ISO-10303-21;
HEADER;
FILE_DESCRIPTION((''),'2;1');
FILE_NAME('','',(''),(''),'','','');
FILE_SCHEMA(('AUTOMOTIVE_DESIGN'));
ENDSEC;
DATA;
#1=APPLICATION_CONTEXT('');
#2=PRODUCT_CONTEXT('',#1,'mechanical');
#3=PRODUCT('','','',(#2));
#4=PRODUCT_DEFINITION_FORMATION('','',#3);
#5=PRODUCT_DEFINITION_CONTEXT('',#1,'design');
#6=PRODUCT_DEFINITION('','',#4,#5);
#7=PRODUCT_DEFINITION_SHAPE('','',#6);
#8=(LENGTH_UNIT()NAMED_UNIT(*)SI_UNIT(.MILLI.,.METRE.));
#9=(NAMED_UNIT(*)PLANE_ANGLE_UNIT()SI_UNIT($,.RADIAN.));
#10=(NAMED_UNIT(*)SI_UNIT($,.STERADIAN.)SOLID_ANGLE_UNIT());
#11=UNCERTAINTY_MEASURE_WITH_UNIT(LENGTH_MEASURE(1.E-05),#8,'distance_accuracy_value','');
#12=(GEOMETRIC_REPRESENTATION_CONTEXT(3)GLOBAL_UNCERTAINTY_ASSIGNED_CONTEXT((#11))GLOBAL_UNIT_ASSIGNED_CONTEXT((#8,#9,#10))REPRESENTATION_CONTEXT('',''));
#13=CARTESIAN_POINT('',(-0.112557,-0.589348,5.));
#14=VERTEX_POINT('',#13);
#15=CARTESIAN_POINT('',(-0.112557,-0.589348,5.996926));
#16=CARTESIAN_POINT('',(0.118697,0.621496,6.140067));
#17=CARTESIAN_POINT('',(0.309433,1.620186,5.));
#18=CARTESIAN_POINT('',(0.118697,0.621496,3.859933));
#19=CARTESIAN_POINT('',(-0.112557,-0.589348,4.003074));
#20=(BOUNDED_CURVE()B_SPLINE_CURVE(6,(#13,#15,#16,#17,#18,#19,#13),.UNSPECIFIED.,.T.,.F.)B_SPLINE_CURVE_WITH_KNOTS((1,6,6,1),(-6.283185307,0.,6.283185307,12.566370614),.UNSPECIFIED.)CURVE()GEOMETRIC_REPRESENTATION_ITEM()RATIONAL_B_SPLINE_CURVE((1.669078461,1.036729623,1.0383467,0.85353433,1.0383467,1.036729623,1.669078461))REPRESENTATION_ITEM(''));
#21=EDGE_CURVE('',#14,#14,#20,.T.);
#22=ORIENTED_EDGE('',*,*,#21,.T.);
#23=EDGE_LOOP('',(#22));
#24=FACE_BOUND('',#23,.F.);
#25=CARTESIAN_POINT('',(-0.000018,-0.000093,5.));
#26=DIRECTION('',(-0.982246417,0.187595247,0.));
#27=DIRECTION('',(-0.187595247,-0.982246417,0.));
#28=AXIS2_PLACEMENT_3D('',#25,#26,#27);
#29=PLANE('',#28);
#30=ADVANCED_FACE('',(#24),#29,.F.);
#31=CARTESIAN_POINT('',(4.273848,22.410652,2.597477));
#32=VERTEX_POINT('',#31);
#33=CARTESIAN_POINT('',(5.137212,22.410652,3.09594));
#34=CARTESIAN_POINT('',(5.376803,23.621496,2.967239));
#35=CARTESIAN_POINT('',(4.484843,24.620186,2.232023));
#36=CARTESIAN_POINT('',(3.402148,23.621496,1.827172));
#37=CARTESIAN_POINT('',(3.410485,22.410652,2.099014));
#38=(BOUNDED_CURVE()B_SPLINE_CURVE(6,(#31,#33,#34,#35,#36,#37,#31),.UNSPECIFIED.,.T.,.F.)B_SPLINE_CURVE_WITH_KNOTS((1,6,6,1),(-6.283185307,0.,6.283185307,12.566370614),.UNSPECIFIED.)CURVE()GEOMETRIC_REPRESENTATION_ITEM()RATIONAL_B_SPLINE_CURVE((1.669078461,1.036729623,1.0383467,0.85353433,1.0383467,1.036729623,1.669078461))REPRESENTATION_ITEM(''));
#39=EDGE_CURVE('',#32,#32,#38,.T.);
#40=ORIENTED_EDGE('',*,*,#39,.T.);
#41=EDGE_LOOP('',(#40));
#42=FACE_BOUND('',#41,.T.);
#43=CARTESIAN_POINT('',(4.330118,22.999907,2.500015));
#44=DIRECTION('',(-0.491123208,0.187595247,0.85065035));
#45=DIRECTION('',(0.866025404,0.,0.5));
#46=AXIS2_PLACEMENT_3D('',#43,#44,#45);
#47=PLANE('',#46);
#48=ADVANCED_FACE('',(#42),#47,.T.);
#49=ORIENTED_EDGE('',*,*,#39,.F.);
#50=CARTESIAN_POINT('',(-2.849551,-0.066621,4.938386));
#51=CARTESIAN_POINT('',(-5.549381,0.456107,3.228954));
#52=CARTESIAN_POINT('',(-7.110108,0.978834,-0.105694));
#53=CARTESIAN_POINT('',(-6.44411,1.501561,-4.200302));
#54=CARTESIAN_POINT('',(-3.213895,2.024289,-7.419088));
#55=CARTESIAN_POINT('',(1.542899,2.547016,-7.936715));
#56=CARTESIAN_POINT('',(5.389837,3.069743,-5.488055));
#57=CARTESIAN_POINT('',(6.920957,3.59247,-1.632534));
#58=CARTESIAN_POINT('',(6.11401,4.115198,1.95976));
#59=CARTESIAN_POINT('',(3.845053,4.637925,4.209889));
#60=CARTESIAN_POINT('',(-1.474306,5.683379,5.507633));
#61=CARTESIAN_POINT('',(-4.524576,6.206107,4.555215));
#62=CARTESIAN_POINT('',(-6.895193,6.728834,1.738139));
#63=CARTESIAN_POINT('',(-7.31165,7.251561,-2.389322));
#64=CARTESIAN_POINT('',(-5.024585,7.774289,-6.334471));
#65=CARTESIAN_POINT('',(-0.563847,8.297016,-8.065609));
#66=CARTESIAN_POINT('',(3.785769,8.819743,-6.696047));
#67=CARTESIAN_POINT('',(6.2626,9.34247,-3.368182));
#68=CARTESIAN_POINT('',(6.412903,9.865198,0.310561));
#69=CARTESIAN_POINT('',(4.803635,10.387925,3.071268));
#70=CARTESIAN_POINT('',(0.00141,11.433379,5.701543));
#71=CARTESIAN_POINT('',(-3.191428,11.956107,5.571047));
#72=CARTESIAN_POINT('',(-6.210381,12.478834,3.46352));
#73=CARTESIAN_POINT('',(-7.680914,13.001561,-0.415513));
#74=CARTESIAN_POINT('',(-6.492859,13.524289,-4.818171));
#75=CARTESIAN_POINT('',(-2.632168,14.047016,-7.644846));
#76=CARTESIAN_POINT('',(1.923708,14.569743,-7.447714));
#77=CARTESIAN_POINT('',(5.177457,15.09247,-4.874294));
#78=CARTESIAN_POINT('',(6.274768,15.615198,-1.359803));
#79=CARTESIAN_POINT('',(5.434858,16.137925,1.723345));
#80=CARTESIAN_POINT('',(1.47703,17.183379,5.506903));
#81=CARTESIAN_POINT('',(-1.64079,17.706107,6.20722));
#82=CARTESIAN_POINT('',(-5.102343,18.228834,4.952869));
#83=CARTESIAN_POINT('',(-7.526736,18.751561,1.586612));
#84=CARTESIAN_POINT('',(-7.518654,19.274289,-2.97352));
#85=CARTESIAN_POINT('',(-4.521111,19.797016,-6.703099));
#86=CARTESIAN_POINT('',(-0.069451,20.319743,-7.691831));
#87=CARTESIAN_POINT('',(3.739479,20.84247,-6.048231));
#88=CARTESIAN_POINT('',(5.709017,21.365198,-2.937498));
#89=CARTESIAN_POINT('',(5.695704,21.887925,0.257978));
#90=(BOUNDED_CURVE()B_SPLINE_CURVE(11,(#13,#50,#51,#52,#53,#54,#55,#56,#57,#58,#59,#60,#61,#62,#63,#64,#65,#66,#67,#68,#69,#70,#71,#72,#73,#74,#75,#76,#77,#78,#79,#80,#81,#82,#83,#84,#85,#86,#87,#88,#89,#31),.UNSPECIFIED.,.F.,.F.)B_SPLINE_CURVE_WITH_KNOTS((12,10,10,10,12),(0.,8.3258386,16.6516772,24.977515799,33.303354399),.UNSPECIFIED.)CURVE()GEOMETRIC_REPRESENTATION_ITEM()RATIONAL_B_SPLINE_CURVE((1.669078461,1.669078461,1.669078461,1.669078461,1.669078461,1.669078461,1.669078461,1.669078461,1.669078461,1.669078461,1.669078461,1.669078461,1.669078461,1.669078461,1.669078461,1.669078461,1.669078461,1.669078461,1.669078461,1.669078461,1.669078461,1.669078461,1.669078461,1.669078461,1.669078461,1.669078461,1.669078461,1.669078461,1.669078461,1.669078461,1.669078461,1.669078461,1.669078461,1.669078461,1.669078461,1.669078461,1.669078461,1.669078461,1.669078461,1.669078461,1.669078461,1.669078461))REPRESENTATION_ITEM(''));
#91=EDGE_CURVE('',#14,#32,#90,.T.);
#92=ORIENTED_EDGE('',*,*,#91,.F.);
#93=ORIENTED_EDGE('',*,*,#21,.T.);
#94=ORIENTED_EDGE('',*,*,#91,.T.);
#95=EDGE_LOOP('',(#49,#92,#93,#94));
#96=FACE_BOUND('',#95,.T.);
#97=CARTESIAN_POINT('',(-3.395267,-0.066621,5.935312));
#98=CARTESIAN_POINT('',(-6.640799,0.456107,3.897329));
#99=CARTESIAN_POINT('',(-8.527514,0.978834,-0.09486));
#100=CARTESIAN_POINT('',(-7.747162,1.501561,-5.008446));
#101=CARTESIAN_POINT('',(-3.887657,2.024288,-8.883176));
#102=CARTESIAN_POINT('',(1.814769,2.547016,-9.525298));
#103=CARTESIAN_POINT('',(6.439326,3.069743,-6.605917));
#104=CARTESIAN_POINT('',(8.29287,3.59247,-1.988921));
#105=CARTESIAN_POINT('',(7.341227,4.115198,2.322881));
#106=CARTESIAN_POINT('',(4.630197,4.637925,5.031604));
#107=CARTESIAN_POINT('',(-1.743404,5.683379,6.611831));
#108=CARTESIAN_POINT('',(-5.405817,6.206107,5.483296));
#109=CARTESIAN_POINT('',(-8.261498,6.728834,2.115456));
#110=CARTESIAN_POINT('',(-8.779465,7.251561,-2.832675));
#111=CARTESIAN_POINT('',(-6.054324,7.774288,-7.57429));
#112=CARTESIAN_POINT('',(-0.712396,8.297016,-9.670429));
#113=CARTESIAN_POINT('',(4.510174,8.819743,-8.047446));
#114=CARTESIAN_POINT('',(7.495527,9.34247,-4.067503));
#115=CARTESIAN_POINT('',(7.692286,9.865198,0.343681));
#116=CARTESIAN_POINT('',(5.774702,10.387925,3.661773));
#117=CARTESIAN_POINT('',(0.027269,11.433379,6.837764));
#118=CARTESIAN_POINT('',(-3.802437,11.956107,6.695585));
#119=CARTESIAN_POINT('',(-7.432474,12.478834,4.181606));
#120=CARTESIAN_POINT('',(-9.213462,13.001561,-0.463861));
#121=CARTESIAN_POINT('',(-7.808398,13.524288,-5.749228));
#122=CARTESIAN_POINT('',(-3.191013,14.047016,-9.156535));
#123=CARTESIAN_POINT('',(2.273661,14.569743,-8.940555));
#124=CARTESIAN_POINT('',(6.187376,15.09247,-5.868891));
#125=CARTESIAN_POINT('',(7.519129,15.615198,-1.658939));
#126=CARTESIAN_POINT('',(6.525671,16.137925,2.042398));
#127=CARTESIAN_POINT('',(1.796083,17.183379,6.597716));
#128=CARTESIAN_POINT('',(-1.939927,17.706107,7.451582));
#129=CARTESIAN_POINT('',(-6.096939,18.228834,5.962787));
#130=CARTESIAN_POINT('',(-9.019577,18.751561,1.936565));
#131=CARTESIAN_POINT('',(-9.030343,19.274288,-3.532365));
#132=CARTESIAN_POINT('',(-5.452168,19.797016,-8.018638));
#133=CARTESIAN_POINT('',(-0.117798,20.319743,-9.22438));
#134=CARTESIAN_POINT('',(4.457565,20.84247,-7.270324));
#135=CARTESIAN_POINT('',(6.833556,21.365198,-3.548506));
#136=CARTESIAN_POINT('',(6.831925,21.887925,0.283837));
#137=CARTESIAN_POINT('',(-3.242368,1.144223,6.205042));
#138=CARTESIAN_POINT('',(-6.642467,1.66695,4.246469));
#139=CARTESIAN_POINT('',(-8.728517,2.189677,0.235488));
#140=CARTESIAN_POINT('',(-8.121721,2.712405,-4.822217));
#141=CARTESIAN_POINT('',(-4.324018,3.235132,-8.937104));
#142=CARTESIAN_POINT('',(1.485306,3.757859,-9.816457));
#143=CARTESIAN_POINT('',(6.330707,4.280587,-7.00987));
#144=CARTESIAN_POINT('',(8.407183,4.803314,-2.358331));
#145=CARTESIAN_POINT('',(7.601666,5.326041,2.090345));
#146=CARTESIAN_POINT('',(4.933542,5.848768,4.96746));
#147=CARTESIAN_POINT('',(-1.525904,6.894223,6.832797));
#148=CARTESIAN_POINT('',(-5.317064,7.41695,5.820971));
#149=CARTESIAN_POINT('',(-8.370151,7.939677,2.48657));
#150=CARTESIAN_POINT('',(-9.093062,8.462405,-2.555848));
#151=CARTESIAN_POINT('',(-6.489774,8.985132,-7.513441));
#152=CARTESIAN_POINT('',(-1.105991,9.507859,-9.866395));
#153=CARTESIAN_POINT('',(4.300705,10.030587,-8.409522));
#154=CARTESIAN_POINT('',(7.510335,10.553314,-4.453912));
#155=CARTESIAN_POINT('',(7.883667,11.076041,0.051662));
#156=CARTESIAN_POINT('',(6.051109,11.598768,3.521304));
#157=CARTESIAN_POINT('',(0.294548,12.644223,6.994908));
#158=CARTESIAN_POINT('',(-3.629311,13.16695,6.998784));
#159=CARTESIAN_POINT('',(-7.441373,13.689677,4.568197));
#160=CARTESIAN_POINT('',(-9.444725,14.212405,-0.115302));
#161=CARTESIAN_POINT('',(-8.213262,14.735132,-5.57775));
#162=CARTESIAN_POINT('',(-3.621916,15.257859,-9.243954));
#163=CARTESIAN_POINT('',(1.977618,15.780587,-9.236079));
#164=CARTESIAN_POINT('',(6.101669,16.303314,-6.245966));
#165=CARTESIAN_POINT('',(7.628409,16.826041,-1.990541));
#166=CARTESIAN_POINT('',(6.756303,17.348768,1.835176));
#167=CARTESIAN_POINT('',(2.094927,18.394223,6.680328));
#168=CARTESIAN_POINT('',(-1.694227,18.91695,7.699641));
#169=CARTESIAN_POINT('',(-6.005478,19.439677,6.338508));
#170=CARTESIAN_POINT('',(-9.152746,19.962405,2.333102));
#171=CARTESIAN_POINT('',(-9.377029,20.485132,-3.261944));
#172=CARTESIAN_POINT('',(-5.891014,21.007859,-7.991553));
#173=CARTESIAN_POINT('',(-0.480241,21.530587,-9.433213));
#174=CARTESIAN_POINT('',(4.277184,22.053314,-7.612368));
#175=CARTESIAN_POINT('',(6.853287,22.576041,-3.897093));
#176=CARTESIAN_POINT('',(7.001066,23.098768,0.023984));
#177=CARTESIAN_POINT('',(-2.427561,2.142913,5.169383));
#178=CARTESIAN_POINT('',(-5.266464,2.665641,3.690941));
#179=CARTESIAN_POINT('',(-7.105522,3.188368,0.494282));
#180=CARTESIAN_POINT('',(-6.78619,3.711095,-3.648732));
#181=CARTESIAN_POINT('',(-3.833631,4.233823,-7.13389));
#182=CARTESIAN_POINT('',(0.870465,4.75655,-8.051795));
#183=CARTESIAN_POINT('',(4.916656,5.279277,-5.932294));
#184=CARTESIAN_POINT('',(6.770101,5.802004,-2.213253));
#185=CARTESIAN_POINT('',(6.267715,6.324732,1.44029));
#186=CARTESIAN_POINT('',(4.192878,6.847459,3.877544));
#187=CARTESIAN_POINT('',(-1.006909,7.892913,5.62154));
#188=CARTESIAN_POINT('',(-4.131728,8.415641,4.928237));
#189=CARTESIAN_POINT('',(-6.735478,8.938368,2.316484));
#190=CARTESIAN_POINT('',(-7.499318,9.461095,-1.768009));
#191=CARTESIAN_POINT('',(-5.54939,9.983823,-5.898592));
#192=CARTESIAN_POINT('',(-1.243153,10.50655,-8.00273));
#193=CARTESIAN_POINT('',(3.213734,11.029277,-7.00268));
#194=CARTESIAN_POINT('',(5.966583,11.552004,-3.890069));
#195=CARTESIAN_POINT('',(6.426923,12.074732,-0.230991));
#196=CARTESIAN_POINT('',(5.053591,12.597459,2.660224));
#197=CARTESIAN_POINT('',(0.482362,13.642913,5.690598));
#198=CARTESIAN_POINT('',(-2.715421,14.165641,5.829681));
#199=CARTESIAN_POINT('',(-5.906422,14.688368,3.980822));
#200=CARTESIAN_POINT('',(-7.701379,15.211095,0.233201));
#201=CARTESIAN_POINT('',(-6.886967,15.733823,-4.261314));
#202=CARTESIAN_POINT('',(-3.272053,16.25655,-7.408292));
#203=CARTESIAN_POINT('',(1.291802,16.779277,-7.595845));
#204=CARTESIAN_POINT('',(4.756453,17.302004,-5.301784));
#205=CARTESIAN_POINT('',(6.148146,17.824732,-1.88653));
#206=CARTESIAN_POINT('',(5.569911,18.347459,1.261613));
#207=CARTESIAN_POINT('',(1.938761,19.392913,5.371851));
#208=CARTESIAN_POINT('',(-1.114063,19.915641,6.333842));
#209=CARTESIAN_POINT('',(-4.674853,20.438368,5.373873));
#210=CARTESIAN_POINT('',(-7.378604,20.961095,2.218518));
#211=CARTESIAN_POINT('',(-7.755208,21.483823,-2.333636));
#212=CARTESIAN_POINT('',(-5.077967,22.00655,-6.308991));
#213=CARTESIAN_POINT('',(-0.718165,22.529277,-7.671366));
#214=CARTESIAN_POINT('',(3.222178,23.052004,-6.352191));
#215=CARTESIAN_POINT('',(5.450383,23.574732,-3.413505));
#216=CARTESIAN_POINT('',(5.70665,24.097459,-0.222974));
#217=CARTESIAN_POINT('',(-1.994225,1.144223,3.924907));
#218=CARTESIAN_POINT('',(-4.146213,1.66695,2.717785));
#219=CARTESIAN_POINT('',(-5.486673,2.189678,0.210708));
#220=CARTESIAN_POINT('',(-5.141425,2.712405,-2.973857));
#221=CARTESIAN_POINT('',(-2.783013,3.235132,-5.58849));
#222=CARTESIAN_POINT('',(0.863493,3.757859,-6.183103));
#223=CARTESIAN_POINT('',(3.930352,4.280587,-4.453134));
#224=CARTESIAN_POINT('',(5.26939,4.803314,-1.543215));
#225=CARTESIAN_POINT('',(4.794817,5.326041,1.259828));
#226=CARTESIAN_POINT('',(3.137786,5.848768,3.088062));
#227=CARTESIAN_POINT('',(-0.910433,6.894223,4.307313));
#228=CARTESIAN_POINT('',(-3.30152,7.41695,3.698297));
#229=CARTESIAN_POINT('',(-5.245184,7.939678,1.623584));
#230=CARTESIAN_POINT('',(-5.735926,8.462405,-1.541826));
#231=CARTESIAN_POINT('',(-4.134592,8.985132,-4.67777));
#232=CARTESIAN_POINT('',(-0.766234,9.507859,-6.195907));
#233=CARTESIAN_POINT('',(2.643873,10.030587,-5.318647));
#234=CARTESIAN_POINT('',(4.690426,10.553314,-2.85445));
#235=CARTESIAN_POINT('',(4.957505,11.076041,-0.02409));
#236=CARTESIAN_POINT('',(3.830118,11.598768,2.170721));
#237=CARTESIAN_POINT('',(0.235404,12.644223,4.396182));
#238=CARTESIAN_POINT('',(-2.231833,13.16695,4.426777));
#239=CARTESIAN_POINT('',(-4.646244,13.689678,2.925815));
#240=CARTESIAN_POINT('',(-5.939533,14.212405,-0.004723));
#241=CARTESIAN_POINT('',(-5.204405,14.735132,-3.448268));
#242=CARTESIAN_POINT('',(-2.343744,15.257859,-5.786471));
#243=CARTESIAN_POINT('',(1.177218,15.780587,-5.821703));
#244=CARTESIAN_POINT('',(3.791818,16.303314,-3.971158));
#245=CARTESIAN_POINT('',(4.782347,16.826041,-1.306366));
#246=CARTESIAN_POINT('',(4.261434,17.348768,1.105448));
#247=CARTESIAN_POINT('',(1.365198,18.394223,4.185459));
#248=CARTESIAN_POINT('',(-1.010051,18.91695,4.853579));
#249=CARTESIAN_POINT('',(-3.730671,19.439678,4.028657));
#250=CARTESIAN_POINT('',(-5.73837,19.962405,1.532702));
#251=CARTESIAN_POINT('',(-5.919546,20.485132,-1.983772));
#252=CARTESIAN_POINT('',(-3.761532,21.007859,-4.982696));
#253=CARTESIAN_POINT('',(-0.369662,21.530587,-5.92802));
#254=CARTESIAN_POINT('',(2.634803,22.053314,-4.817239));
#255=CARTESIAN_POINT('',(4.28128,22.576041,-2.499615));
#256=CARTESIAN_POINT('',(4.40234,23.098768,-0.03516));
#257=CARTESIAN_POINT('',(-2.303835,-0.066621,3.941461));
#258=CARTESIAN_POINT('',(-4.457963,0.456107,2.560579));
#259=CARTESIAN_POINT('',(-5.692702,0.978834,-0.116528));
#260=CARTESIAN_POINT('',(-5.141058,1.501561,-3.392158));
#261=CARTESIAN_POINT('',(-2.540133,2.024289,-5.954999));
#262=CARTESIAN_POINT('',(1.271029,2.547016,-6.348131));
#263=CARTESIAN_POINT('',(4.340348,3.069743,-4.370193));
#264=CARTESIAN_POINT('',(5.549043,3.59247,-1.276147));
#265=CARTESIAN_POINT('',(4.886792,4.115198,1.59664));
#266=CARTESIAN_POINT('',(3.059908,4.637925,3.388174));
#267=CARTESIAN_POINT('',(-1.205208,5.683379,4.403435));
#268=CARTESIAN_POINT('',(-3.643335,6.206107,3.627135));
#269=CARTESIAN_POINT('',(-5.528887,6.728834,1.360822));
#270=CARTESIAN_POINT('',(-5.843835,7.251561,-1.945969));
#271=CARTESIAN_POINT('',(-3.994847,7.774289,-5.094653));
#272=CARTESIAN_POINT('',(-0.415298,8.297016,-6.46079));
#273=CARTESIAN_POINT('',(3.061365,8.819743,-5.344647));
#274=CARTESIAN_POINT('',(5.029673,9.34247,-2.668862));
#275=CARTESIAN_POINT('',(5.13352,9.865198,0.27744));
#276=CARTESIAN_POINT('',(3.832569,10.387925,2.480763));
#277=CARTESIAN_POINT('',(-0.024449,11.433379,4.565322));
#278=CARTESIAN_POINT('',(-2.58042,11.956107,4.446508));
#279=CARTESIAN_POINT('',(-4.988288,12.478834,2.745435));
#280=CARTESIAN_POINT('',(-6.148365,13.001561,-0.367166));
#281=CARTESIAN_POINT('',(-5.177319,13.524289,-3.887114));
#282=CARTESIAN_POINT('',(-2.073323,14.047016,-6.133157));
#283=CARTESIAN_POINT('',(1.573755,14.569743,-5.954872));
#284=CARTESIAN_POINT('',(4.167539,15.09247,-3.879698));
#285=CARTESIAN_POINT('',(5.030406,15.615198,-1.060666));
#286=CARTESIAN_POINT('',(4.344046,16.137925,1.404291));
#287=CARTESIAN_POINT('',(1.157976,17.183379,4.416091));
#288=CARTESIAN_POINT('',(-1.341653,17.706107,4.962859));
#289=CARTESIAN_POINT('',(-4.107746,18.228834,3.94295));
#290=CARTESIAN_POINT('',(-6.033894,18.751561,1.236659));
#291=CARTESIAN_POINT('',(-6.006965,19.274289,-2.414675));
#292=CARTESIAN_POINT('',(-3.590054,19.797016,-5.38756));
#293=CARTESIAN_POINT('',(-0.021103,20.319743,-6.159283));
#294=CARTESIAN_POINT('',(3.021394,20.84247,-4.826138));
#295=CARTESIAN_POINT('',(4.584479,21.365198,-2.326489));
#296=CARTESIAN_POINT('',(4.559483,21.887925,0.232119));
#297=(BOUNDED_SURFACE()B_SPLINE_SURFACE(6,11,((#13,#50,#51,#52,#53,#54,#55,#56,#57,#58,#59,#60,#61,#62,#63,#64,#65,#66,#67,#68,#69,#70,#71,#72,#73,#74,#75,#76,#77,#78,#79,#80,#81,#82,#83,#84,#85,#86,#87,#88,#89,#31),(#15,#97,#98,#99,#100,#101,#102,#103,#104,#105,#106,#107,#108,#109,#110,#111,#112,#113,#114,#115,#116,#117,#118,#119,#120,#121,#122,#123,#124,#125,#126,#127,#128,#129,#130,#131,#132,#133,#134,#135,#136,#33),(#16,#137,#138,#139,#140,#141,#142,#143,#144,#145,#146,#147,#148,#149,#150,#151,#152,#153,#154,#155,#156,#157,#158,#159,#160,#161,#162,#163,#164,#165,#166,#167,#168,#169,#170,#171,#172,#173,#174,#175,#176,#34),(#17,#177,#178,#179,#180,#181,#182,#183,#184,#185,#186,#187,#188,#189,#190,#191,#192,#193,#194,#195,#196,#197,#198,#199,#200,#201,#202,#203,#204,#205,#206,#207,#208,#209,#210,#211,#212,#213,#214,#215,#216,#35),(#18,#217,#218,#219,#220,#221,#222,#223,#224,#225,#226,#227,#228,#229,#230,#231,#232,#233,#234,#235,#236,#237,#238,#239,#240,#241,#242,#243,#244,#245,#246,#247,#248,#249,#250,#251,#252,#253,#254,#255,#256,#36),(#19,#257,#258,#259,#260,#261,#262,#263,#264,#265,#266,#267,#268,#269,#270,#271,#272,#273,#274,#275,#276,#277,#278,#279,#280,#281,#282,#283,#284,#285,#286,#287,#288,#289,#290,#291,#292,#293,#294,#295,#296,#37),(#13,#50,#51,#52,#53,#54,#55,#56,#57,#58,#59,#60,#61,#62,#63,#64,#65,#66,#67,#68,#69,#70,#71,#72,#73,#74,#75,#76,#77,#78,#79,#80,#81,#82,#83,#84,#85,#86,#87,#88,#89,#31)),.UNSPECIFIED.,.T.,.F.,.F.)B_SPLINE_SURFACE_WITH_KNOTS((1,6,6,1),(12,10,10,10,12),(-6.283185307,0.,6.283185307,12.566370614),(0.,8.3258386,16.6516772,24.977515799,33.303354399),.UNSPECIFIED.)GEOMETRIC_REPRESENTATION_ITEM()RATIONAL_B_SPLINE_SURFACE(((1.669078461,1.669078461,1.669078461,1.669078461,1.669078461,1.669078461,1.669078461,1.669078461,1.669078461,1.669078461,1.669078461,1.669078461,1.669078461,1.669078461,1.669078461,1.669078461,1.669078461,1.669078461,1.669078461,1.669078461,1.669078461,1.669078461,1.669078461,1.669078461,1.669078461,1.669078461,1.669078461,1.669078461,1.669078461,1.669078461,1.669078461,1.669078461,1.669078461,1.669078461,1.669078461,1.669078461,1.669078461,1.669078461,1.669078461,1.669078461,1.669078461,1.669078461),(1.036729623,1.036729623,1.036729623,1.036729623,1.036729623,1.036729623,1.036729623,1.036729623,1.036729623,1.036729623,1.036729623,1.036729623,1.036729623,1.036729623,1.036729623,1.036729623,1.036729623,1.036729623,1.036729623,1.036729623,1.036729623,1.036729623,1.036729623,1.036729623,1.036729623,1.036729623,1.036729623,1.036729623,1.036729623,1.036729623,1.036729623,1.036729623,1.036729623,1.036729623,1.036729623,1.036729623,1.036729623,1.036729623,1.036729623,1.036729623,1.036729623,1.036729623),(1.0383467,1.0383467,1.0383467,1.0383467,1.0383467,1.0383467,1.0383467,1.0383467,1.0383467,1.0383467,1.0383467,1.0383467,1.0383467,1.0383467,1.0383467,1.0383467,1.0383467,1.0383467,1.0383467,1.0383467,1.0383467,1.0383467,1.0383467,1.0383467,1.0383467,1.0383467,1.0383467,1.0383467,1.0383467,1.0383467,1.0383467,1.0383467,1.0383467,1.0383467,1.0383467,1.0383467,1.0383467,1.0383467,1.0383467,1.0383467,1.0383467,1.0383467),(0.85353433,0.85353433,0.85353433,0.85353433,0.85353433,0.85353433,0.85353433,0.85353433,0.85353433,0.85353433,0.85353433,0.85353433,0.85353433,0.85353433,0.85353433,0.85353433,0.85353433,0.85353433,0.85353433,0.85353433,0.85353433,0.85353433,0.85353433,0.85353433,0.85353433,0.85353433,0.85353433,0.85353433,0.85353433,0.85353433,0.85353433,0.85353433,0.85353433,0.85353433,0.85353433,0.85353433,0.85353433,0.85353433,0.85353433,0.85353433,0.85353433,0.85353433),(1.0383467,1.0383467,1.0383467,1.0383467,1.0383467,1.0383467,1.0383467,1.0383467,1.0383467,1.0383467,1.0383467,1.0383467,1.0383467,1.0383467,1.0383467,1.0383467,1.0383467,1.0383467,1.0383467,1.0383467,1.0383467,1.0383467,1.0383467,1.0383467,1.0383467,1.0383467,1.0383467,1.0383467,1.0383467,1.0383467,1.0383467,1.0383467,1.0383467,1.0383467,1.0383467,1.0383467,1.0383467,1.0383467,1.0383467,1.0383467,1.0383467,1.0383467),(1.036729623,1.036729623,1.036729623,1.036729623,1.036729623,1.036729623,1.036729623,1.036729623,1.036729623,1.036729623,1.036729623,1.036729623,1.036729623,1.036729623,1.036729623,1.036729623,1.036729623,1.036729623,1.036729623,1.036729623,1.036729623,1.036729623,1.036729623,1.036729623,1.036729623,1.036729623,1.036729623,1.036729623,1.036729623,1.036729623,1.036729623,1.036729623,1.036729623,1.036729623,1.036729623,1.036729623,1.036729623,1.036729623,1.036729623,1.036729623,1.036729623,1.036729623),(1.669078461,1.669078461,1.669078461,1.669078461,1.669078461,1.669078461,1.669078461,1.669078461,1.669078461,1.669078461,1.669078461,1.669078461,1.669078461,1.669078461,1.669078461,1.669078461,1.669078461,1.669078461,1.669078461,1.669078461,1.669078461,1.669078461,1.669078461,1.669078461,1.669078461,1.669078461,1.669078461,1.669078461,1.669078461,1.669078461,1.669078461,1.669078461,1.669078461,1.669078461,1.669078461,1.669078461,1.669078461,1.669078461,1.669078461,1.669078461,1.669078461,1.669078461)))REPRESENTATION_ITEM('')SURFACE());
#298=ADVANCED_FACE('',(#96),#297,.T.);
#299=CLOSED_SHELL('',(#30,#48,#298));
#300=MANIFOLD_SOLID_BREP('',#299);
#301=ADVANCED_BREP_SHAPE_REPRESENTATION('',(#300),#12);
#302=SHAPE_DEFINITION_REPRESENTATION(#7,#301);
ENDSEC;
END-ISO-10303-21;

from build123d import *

# Parameters (mm, degrees)
BALAYAGE1_PITCH     = 6
BALAYAGE1_HEIGHT    = 23
BALAYAGE1_RADIUS    = 5
BALAYAGE1_PROFILE_R = 0.6


with BuildPart() as part:
    # Balayage1: sweep along a helix
    with BuildLine() as balayage1_path:
        Helix(BALAYAGE1_PITCH, BALAYAGE1_HEIGHT, BALAYAGE1_RADIUS, center=(0, 0, 0), direction=(0, 1, 0), lefthand=True)
    # Balayage1 profile (on start of the path) → Balayage1 (sweep)
    with BuildSketch(Plane(origin=(0, 0, 5), x_dir=(-0.187595247, -0.982246417, 0), z_dir=(-0.982246417, 0.187595247, 0))):
        Circle(BALAYAGE1_PROFILE_R)
    sweep(path=balayage1_path.line, is_frenet=True)


solid = part.part
